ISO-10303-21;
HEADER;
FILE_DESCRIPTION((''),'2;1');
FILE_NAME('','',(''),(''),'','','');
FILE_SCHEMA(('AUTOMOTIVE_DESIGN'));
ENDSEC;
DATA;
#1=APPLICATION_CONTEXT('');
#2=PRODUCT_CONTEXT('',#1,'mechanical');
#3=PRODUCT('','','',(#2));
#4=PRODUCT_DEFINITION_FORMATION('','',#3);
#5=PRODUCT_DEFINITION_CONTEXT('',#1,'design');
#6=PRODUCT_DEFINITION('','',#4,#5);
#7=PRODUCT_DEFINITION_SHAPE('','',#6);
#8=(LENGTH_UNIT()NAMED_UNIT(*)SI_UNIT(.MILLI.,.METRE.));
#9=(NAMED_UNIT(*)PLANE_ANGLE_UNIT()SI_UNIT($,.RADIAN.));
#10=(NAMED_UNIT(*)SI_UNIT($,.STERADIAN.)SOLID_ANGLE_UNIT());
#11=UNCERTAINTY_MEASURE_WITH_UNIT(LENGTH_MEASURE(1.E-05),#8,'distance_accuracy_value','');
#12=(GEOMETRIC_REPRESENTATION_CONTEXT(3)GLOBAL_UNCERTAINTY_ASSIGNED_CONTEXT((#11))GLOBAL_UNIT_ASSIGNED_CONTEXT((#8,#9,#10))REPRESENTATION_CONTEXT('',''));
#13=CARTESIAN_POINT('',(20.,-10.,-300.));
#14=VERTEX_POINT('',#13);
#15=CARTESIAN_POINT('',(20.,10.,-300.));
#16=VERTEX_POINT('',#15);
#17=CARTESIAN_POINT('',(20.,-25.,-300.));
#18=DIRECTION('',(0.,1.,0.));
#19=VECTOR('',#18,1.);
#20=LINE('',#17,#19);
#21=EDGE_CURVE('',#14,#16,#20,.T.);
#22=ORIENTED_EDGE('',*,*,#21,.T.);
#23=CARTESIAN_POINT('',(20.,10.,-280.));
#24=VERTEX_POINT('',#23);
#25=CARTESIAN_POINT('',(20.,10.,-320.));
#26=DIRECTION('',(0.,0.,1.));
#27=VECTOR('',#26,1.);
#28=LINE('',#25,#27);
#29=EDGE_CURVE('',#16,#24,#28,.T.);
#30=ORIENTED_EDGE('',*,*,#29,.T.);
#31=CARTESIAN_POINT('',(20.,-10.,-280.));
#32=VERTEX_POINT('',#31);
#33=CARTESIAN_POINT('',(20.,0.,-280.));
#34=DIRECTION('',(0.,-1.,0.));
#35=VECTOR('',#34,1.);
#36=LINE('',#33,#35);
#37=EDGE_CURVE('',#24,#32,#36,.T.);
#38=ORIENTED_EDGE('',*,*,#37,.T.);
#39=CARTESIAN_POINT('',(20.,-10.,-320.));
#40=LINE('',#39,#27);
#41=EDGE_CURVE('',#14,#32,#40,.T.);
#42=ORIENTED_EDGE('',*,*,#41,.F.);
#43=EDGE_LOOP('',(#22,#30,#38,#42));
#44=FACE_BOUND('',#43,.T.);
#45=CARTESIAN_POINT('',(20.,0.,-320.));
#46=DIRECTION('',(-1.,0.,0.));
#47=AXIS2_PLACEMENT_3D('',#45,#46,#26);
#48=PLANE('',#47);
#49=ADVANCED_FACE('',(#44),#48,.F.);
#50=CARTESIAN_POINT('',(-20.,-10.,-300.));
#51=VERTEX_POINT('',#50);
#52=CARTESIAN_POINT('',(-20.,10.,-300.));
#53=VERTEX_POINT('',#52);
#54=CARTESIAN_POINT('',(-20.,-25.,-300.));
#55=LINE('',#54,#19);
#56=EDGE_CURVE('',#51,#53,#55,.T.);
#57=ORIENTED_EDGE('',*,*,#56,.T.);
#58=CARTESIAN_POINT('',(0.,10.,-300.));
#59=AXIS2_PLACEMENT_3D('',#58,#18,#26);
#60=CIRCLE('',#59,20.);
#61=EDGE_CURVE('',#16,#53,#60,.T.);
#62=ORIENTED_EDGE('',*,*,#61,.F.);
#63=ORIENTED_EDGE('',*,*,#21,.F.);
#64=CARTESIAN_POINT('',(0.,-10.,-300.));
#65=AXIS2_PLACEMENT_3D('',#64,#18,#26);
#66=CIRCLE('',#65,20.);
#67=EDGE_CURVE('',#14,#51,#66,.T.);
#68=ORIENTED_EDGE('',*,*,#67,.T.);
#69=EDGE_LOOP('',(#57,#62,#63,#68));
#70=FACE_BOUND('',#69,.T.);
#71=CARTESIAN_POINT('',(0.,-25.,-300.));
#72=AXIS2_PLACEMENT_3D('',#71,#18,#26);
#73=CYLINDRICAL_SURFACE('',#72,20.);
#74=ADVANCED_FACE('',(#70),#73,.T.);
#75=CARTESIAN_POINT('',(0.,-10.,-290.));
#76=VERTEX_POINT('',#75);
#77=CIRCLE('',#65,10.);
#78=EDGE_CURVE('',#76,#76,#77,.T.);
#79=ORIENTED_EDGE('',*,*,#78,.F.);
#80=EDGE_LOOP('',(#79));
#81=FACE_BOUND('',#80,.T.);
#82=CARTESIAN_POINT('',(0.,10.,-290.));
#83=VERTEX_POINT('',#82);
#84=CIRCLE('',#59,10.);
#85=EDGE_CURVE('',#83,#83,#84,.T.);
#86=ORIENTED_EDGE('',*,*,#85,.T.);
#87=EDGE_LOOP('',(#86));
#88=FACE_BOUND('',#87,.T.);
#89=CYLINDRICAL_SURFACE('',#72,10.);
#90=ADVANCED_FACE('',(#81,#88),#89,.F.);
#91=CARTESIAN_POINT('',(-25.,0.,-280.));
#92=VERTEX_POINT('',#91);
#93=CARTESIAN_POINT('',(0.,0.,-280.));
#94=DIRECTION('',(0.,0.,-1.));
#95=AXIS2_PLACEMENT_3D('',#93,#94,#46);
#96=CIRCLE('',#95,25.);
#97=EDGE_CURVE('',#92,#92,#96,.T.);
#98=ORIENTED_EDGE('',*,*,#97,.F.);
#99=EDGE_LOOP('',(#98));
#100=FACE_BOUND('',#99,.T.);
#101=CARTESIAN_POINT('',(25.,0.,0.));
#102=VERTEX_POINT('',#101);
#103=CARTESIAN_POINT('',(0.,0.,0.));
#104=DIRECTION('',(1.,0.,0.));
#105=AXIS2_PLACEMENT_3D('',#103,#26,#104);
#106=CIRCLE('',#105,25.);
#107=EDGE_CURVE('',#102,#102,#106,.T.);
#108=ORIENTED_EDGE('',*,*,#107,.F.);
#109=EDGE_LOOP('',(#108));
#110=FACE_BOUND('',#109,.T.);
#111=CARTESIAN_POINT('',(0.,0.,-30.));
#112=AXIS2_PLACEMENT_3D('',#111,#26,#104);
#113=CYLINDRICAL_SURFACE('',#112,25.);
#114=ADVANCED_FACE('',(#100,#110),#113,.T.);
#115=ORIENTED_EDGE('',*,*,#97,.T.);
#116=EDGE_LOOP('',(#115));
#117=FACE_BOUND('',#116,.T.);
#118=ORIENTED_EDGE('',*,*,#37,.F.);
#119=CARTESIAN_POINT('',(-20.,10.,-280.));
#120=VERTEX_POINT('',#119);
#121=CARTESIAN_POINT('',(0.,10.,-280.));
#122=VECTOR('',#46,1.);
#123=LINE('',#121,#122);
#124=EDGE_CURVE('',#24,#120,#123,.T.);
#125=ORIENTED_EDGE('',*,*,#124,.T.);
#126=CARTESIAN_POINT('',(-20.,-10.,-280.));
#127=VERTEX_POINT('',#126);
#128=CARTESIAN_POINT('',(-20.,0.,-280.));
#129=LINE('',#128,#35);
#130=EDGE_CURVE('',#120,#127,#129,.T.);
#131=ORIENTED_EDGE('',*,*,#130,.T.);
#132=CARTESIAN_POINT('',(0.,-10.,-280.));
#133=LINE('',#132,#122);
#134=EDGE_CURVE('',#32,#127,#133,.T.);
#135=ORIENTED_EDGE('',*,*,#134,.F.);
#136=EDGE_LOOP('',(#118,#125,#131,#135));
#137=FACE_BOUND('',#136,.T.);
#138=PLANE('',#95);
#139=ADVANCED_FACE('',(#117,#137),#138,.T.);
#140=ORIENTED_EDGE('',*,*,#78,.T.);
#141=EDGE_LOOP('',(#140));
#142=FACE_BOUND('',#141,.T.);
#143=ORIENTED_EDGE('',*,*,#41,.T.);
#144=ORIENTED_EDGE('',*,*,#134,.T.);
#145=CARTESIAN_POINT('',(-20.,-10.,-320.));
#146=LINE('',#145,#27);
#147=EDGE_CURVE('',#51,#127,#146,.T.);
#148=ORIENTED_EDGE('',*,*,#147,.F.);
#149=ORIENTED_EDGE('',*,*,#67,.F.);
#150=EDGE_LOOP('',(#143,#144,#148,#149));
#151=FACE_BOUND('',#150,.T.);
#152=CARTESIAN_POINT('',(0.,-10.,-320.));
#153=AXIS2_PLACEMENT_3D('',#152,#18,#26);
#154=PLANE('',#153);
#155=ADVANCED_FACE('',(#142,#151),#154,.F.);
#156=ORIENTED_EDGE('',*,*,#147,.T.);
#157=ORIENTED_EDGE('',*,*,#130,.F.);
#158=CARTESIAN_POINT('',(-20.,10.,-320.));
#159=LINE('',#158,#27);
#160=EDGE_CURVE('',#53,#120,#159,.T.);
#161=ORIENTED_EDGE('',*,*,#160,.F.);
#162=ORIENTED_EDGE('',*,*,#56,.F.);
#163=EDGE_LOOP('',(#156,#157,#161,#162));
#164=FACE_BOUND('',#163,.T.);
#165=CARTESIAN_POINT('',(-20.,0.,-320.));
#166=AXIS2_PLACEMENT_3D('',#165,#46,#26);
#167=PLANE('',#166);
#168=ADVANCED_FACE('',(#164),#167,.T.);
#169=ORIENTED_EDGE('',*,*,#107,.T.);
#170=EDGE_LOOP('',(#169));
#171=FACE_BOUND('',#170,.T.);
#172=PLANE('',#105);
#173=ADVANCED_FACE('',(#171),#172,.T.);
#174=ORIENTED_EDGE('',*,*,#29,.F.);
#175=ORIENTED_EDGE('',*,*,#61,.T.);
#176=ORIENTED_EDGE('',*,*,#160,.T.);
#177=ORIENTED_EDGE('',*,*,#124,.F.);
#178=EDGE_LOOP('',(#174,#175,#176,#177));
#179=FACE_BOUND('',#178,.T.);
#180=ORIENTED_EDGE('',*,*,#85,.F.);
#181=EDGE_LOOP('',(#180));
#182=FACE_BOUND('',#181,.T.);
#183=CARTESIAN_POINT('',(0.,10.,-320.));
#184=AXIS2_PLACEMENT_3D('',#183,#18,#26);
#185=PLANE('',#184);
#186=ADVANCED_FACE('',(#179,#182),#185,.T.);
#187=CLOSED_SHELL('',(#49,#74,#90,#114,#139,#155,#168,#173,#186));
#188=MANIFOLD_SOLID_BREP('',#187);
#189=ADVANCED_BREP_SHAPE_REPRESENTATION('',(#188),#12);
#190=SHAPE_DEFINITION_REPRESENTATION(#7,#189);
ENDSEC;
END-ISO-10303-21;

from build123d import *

# Parameters (mm, degrees)
SKETCH_1_R               = 25
EXTRUDE_1_DEPTH          = 30
SKETCH_2_R               = 25
EXTRUDE_2_DEPTH          = 250
SKETCH_3_W               = 40
SKETCH_3_H               = 10
EXTRUDE_4_DEPTH          = 40
CUT_EXTRUDE_1_DEPTH      = 323.877685819
CUT_EXTRUDE_1_DEPTH_BACK = 323.877685819
CUT_EXTRUDE_2_DEPTH      = 323.877685819
CUT_EXTRUDE_2_DEPTH_BACK = 323.877685819
SKETCH_7_R               = 10


with BuildPart() as part:
    # 스케치1 → 보스-돌출1 (new body)
    with BuildSketch(Plane.XY):
        Circle(SKETCH_1_R)
    extrude(amount=-EXTRUDE_1_DEPTH)

    # 스케치2 → 보스-돌출2 (add)
    with BuildSketch(Plane(origin=(0, 0, -30), x_dir=(-1, 0, 0), z_dir=(0, 0, -1))):
        with Locations(Location((0, 0, 0), (0, 0, 180))):
            Circle(SKETCH_2_R)
    extrude(amount=EXTRUDE_2_DEPTH)

    # 스케치3 → 보스-돌출4 (add)
    with BuildSketch(Plane(origin=(0, 0, -280), x_dir=(-1, 0, 0), z_dir=(0, 0, -1))):
        with Locations((0, -5)):
            Rectangle(SKETCH_3_W, SKETCH_3_H)
        with Locations((0, 5)):
            Rectangle(SKETCH_3_W, SKETCH_3_H)
    extrude(amount=EXTRUDE_4_DEPTH)

    # 스케치6 → 컷-돌출1 (cut, two sides: drawn at the far end of the back side and taken through both)
    with BuildSketch(Plane(origin=(0, 10, 0), x_dir=(1, 0, 0), z_dir=(0, 1, 0)).offset(-CUT_EXTRUDE_1_DEPTH_BACK)):
        with BuildLine():
            ThreePointArc((-20, 300), (-14.142135624, 314.142135624), (0, 320))
            Line((0, 320), (-20, 320))
            Line((-20, 320), (-20, 300))
        make_face()
        with BuildLine():
            Line((20, 320), (0, 320))
            ThreePointArc((0, 320), (14.142135624, 314.142135624), (20, 300))
            Line((20, 300), (20, 320))
        make_face()
    extrude(amount=CUT_EXTRUDE_1_DEPTH + CUT_EXTRUDE_1_DEPTH_BACK, mode=Mode.SUBTRACT)

    # 스케치7 → 컷-돌출2 (cut, two sides: drawn at the far end of the back side and taken through both)
    with BuildSketch(Plane(origin=(0, 10, 0), x_dir=(1, 0, 0), z_dir=(0, 1, 0)).offset(-CUT_EXTRUDE_2_DEPTH_BACK)):
        with Locations(Location((0, 300, 0), (0, 0, 270))):
            Circle(SKETCH_7_R)
    extrude(amount=CUT_EXTRUDE_2_DEPTH + CUT_EXTRUDE_2_DEPTH_BACK, mode=Mode.SUBTRACT)


solid = part.part
